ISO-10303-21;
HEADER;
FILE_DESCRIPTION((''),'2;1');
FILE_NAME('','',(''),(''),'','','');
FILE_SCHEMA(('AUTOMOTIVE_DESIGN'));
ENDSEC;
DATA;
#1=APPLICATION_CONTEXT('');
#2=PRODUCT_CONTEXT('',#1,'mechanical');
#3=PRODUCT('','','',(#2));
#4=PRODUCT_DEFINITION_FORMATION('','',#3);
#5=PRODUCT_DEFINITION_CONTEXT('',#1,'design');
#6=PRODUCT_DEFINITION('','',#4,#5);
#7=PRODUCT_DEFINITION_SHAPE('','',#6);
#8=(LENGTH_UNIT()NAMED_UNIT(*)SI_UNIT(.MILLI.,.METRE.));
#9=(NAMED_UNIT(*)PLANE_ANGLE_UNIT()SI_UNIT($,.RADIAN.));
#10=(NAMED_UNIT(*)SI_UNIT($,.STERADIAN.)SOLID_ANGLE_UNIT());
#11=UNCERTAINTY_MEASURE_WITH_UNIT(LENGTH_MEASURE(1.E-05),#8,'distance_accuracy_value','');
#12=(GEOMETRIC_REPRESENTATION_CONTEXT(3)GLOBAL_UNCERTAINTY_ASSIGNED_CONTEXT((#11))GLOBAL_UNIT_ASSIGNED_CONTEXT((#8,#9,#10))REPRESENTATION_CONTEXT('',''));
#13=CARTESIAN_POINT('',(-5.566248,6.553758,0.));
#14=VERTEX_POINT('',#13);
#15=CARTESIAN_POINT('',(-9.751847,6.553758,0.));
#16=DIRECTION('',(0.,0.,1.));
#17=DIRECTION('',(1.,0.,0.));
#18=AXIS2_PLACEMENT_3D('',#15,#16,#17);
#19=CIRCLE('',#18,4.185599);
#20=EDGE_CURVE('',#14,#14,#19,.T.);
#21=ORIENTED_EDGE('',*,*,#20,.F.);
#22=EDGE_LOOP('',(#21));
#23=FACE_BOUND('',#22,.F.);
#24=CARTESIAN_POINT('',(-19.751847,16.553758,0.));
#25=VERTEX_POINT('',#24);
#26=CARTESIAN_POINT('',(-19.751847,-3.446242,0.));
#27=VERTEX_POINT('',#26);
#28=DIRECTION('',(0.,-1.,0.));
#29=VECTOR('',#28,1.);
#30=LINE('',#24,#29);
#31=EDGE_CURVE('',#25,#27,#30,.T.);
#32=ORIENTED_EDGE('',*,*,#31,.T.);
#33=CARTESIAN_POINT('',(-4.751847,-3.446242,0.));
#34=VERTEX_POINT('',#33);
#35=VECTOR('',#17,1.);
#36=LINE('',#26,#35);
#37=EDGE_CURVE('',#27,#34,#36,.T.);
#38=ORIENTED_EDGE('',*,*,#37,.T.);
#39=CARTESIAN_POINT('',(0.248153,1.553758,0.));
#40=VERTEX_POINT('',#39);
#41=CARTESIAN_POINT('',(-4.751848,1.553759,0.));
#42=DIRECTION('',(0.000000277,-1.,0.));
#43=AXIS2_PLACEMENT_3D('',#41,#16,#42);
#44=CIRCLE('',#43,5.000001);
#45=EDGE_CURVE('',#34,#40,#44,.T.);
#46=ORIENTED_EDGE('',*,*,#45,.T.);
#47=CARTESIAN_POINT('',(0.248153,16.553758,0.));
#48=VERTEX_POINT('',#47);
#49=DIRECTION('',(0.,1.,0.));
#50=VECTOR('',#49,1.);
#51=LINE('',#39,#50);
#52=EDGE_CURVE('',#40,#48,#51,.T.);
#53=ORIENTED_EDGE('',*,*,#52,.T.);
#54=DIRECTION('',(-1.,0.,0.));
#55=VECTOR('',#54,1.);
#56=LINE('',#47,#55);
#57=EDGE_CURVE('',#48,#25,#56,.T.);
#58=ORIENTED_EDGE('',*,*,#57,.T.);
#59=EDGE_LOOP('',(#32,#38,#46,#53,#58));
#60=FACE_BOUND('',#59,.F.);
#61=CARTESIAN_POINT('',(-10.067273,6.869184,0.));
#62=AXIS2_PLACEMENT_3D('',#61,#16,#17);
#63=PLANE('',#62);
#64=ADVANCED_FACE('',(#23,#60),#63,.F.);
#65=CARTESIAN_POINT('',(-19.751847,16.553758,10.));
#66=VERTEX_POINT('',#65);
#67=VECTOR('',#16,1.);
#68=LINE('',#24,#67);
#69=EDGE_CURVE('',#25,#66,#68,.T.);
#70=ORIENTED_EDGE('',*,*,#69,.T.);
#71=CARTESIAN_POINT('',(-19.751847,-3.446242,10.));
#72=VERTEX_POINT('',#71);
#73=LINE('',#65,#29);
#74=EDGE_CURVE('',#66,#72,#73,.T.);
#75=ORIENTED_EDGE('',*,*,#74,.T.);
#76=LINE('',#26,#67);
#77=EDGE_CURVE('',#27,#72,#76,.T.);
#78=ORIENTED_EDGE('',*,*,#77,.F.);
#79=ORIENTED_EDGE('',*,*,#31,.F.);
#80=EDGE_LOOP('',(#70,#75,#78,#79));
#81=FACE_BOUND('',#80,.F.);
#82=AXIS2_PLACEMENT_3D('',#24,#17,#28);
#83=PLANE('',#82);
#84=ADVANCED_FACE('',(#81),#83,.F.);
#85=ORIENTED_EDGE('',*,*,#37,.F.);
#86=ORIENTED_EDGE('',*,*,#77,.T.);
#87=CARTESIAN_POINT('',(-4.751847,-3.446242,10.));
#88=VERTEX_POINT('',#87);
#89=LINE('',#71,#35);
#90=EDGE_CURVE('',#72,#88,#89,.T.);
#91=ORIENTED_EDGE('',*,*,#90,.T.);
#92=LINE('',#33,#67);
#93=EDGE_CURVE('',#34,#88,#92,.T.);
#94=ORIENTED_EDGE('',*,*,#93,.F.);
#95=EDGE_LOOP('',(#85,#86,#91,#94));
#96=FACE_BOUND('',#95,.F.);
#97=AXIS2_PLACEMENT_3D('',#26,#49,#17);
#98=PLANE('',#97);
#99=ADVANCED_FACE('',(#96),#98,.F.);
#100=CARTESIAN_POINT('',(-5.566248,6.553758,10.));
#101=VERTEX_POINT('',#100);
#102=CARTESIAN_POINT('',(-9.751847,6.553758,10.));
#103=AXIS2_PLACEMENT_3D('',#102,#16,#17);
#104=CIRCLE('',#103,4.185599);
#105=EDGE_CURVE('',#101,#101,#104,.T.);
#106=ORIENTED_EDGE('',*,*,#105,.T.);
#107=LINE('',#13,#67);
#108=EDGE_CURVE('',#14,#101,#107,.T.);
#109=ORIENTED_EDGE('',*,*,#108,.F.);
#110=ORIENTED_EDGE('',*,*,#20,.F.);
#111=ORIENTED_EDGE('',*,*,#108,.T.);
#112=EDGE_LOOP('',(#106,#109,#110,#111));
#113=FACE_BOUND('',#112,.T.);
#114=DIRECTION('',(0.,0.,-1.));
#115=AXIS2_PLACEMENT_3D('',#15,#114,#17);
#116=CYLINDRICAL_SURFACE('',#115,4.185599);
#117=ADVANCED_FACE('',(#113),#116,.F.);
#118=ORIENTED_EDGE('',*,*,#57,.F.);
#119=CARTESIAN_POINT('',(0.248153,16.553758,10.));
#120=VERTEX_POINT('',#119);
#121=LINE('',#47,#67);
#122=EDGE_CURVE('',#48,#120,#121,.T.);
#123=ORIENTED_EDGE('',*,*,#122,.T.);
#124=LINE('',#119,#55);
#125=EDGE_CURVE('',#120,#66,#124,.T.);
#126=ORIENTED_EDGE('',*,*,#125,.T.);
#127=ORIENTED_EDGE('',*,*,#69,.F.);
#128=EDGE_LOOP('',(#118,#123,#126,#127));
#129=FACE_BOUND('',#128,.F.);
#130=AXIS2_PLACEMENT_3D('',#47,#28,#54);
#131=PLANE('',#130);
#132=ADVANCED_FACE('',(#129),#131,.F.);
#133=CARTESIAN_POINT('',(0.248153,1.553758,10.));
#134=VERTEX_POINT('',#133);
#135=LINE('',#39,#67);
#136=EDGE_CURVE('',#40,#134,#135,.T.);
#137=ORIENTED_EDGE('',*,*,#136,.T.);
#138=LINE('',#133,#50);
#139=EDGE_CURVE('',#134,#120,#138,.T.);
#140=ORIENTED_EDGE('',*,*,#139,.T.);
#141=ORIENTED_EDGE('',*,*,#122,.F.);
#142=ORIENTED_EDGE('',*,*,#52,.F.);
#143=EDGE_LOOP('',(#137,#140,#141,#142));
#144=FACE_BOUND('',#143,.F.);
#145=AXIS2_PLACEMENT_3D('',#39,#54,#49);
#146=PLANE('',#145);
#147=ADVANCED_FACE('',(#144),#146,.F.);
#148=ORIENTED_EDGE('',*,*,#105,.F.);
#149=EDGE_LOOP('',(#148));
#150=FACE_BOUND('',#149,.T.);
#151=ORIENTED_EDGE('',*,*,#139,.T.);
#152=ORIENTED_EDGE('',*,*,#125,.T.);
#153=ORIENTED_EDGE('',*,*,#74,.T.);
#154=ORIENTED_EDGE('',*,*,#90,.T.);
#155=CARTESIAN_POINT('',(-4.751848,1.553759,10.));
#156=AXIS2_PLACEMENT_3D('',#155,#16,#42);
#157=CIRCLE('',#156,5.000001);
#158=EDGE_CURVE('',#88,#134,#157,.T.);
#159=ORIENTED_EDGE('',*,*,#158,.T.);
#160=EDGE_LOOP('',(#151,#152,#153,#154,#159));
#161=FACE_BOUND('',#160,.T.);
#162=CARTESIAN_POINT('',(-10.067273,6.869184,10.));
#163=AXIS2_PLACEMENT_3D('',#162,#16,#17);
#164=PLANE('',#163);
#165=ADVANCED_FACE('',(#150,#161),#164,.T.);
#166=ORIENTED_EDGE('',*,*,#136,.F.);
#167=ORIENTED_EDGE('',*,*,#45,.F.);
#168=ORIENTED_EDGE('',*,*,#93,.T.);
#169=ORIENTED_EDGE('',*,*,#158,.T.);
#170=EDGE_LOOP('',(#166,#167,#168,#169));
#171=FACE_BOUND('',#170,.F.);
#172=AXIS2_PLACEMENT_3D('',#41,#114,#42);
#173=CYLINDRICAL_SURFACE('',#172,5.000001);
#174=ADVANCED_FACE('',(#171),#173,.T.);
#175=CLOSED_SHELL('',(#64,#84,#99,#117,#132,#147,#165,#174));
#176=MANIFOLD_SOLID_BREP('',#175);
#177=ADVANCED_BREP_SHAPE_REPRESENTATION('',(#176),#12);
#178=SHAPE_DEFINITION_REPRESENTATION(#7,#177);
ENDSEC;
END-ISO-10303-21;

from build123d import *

# Parameters (mm, degrees)
F0_R     = 4.185599
F1_DEPTH = 10


with BuildPart() as f1:
    # F0 (on Top) → F1 (new body)
    with BuildSketch(Plane.XY):
        with BuildLine():
            Line((0.248153, 16.553758), (-19.751847, 16.553758))
            Line((-19.751847, 16.553758), (-19.751847, -3.446242))
            Line((-19.751847, -3.446242), (-4.751847, -3.446242))
            ThreePointArc((-4.751847, -3.446242), (-1.216313, -1.981775), (0.248153, 1.553758))
            Line((0.248153, 1.553758), (0.248153, 16.553758))
        make_face()
        with Locations((-9.751847, 6.553758)):
            Circle(F0_R, mode=Mode.SUBTRACT)
    extrude(amount=F1_DEPTH)


solid = f1.part
